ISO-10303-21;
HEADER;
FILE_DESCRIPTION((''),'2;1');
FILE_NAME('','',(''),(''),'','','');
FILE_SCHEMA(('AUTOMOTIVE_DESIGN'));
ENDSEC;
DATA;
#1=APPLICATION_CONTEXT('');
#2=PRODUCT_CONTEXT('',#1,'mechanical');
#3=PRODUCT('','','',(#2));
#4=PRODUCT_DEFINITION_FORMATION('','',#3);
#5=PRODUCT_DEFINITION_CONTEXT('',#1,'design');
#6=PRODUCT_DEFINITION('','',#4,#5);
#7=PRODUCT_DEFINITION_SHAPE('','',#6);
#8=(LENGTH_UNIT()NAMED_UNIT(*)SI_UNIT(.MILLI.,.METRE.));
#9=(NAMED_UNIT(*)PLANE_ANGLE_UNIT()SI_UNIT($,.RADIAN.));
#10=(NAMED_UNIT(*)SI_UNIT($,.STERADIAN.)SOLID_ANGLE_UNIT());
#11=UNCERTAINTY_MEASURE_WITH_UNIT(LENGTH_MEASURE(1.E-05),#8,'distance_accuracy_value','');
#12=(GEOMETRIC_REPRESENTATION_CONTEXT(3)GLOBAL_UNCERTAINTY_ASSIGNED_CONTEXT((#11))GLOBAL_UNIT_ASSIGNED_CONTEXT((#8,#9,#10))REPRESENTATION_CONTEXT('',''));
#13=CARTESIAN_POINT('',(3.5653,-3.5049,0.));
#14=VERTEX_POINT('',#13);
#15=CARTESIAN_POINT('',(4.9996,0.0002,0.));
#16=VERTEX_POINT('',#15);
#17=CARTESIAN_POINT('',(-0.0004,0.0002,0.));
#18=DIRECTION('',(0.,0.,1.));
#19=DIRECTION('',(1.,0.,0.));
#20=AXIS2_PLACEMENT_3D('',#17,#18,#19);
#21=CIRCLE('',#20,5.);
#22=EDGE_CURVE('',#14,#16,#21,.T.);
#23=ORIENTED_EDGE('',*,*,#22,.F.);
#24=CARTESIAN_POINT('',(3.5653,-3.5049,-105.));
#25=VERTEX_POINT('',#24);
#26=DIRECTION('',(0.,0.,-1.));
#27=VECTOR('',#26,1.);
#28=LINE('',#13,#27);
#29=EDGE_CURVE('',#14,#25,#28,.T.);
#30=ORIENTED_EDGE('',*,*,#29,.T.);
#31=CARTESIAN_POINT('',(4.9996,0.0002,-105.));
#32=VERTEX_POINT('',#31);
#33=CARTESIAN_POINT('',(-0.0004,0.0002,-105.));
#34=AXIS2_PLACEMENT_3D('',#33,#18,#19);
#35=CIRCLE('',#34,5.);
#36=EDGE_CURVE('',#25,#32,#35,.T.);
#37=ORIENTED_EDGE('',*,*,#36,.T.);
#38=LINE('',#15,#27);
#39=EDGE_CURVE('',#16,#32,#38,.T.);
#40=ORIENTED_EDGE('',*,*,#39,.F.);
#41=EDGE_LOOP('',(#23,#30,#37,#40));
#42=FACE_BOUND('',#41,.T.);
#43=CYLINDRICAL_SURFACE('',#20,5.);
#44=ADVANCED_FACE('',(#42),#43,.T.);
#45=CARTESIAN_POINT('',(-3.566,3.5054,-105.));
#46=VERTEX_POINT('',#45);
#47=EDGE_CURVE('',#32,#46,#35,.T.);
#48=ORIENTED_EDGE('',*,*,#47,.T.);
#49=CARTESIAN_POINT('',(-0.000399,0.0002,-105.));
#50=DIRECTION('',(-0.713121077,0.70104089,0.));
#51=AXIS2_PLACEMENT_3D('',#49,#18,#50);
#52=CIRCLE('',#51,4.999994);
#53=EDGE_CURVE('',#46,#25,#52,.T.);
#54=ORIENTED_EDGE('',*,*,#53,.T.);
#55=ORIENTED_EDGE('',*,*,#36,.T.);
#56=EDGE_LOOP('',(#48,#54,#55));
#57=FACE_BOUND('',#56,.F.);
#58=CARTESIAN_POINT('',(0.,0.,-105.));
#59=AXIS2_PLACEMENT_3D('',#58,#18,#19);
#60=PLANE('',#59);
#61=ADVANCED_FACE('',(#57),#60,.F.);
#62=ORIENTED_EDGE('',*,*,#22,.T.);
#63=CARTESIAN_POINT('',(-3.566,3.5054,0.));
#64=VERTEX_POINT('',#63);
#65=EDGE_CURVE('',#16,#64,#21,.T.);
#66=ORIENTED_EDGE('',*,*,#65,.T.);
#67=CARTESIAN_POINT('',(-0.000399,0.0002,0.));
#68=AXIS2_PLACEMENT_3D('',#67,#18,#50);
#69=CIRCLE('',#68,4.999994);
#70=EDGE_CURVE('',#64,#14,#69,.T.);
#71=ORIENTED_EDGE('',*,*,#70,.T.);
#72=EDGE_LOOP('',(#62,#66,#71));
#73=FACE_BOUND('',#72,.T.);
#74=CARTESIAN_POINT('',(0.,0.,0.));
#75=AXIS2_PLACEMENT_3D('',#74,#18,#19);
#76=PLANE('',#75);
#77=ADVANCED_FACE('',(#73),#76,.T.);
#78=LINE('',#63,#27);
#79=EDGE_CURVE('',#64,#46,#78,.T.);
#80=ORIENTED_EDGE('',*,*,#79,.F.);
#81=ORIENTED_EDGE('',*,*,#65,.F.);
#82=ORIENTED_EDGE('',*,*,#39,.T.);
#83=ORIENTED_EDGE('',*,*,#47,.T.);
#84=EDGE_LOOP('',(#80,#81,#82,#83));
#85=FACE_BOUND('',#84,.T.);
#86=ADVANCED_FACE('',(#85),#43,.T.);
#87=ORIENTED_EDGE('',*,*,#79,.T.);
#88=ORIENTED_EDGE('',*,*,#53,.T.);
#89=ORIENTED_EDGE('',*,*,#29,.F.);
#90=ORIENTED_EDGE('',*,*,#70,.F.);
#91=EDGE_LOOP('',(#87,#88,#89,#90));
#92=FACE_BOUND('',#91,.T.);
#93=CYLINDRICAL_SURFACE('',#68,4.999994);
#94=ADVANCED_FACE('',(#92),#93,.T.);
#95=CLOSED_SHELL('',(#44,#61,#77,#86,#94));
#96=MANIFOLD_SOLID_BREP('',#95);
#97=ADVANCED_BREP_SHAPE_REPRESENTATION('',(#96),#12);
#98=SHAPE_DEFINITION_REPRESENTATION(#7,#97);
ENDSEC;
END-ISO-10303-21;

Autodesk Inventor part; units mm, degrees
ref_plane "YZ Plane" through (0, 0, 0) normal (1, 0, 0) x (0, 1, 0)
ref_plane "XZ Plane" through (0, 0, 0) normal (0, 1, 0) x (-1, 0, 0)
ref_plane "XY Plane" through (0, 0, 0) normal (0, 0, 1) x (1, 0, 0)
sketch "Sketch1" plane through (0, 0, 0) normal (0, 0, 1) x (1, 0, 0)
  arc A0 (-3.566, 3.5054) -> (3.5653, -3.5049) centre (-0.0004, 0.0002) ccw projected
  circle A1 centre (-0.0004, 0.0002) radius 5
  point P0 (0, 0)
extrude "Extrusion1" add sketch "Sketch1" against normal blind 105
properties part number "tobolttoconnectorscccccc"
